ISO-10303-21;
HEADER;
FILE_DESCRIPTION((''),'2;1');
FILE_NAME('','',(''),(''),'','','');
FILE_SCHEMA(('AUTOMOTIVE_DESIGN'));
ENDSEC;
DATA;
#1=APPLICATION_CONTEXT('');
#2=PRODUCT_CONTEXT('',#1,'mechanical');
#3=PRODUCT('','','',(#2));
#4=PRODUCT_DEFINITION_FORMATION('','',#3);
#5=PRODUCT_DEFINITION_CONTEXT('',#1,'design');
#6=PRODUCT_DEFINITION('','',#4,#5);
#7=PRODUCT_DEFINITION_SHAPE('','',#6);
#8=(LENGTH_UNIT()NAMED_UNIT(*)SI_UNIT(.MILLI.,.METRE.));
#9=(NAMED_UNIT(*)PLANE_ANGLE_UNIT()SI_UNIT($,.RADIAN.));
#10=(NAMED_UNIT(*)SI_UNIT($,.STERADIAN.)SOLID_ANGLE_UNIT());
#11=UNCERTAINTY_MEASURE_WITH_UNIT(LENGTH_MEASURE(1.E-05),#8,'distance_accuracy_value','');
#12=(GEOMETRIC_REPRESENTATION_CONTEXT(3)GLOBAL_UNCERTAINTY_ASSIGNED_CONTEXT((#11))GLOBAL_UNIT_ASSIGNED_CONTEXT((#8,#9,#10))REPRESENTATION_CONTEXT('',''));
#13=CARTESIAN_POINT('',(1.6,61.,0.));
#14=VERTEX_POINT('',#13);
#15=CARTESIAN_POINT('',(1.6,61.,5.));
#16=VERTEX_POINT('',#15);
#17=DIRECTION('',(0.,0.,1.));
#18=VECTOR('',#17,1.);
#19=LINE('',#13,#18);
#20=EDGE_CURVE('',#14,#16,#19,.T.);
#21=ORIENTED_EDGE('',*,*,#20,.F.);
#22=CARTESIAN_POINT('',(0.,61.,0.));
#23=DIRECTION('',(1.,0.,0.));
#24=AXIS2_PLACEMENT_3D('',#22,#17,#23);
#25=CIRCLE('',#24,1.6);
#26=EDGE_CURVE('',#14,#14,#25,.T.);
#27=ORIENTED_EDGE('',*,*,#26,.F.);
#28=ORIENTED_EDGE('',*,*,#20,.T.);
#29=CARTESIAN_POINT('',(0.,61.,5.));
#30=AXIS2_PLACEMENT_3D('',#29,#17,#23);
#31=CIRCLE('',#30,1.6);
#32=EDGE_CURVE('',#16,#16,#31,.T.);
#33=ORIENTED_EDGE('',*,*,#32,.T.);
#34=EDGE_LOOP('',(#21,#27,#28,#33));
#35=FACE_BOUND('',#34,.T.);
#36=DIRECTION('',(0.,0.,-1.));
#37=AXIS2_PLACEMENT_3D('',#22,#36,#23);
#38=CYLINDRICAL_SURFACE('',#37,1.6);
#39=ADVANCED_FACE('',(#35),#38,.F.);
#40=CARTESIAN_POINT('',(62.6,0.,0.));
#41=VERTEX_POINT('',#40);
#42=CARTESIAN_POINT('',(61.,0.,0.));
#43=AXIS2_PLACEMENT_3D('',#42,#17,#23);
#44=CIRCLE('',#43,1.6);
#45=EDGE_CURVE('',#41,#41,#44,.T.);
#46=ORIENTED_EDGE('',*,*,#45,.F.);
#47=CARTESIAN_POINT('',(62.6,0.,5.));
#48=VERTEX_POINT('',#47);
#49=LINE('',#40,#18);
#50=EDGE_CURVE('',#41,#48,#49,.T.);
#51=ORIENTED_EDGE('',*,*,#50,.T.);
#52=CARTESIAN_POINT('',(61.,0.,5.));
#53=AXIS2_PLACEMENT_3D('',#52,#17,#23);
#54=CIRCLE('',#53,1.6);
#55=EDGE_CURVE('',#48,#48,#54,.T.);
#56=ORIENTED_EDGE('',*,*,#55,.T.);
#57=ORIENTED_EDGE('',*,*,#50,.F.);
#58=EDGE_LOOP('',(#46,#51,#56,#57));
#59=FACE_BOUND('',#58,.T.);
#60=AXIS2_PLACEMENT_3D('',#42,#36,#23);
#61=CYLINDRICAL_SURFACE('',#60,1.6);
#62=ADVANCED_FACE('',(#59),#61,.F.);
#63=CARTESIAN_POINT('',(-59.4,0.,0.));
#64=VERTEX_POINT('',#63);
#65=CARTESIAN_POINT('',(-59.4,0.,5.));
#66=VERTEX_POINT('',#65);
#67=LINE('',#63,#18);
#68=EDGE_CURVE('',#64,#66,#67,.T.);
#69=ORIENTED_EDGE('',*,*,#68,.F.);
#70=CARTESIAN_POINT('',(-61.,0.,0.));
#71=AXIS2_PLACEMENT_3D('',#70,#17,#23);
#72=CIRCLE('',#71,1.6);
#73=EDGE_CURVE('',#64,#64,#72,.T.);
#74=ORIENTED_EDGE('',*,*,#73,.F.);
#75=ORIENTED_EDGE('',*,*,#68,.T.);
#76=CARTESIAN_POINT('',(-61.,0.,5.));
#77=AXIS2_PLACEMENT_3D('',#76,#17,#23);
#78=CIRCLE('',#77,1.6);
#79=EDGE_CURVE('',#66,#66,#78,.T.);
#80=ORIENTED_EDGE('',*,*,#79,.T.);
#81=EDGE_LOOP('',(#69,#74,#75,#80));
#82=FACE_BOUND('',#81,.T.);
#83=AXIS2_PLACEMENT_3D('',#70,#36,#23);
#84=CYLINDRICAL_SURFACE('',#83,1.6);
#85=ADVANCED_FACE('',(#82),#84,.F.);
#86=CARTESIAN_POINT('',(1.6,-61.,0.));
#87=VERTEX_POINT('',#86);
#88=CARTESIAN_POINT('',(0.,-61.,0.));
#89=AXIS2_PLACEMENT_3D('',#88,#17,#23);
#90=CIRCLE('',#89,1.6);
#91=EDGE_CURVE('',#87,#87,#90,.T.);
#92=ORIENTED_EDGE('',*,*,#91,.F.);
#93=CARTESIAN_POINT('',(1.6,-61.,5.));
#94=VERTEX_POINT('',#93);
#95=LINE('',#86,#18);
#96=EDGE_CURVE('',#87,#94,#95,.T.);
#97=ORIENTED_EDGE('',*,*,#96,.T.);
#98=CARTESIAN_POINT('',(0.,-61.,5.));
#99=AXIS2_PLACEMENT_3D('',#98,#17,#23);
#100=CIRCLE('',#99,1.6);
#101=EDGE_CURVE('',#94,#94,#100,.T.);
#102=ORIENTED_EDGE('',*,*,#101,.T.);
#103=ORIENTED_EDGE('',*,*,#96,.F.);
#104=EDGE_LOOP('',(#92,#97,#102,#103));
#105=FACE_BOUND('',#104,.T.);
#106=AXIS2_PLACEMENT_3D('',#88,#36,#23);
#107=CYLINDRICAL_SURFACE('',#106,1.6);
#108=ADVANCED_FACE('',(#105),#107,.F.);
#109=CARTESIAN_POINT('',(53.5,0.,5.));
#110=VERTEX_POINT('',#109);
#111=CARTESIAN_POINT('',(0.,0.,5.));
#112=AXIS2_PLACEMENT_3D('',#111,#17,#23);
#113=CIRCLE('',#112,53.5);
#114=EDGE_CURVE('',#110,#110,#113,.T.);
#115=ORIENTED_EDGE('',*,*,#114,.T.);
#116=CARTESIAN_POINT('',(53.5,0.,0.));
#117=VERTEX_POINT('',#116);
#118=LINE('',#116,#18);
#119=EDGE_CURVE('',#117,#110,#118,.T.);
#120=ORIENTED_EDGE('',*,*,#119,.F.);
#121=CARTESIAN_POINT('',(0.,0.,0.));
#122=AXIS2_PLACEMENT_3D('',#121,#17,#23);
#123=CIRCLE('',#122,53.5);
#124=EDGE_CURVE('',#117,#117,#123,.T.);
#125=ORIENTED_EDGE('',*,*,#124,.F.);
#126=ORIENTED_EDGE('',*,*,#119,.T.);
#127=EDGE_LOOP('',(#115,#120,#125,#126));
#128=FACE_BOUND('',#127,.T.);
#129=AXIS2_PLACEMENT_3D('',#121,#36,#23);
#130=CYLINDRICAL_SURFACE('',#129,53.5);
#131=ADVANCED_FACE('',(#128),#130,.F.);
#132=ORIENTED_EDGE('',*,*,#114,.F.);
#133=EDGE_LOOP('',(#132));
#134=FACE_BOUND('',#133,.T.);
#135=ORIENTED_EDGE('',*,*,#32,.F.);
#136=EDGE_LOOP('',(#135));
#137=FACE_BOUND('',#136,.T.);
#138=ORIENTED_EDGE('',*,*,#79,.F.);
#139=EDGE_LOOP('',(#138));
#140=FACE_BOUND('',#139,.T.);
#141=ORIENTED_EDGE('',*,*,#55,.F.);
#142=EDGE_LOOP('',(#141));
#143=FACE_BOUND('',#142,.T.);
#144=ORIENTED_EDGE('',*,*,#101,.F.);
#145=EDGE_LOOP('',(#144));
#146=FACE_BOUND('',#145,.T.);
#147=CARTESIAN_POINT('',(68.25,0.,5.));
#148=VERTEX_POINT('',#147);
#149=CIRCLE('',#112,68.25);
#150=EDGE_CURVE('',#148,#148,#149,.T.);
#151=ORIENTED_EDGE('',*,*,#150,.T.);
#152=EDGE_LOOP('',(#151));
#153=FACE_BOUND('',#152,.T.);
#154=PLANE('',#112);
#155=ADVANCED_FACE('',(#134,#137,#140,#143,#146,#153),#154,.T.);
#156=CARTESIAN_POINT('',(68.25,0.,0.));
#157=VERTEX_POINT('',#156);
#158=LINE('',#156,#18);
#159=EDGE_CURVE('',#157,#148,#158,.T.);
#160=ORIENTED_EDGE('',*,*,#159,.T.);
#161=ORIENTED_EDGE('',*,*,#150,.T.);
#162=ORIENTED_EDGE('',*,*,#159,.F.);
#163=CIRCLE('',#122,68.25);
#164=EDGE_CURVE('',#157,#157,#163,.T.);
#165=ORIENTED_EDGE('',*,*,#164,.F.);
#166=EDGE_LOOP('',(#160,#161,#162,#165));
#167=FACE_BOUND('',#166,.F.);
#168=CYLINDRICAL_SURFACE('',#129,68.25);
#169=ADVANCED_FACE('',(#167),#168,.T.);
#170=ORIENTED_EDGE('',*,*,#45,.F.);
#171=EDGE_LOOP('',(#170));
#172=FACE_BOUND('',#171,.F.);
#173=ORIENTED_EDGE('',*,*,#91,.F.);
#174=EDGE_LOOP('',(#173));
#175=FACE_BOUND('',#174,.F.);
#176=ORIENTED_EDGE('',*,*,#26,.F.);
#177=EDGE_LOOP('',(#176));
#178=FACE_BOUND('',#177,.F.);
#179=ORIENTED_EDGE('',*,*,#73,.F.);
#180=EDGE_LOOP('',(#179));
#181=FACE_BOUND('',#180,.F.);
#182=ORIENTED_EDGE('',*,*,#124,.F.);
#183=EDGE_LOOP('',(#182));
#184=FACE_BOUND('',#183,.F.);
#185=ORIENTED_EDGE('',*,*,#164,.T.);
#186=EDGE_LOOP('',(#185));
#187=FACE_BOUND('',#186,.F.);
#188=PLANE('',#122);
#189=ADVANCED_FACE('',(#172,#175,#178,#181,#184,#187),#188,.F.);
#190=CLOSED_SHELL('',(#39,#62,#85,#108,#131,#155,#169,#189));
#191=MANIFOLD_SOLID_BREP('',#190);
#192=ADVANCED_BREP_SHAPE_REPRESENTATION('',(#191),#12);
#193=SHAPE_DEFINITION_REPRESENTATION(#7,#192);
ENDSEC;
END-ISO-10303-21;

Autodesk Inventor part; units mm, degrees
ref_plane "YZ Plane" through (0, 0, 0) normal (1, 0, 0) x (0, 1, 0)
ref_plane "XZ Plane" through (0, 0, 0) normal (0, 1, 0) x (-1, 0, 0)
ref_plane "XY Plane" through (0, 0, 0) normal (0, 0, 1) x (1, 0, 0)
sketch "스케치1" plane through (0, 0, 0) normal (0, 0, 1) x (1, 0, 0)
  circle A0 centre (0, 0) radius 68.25
  circle A1 centre (0, 0) radius 53.5
  circle A2 centre (0, 0) radius 61 construction
  circle A3 centre (0, 61) radius 1.6
  circle A4 centre (-61, 0) radius 1.6
  circle A5 centre (0, -61) radius 1.6
  circle A6 centre (61, 0) radius 1.6
  dimension "d2" = 122
  dimension "d0" = 136.5
  dimension "d1" = 107
  dimension "d3" = 3.2
  dimension "d6" = 360
extrude "돌출1" add sketch "스케치1" along normal blind 5
properties part number "아크릴 빛번짐 고정용"
